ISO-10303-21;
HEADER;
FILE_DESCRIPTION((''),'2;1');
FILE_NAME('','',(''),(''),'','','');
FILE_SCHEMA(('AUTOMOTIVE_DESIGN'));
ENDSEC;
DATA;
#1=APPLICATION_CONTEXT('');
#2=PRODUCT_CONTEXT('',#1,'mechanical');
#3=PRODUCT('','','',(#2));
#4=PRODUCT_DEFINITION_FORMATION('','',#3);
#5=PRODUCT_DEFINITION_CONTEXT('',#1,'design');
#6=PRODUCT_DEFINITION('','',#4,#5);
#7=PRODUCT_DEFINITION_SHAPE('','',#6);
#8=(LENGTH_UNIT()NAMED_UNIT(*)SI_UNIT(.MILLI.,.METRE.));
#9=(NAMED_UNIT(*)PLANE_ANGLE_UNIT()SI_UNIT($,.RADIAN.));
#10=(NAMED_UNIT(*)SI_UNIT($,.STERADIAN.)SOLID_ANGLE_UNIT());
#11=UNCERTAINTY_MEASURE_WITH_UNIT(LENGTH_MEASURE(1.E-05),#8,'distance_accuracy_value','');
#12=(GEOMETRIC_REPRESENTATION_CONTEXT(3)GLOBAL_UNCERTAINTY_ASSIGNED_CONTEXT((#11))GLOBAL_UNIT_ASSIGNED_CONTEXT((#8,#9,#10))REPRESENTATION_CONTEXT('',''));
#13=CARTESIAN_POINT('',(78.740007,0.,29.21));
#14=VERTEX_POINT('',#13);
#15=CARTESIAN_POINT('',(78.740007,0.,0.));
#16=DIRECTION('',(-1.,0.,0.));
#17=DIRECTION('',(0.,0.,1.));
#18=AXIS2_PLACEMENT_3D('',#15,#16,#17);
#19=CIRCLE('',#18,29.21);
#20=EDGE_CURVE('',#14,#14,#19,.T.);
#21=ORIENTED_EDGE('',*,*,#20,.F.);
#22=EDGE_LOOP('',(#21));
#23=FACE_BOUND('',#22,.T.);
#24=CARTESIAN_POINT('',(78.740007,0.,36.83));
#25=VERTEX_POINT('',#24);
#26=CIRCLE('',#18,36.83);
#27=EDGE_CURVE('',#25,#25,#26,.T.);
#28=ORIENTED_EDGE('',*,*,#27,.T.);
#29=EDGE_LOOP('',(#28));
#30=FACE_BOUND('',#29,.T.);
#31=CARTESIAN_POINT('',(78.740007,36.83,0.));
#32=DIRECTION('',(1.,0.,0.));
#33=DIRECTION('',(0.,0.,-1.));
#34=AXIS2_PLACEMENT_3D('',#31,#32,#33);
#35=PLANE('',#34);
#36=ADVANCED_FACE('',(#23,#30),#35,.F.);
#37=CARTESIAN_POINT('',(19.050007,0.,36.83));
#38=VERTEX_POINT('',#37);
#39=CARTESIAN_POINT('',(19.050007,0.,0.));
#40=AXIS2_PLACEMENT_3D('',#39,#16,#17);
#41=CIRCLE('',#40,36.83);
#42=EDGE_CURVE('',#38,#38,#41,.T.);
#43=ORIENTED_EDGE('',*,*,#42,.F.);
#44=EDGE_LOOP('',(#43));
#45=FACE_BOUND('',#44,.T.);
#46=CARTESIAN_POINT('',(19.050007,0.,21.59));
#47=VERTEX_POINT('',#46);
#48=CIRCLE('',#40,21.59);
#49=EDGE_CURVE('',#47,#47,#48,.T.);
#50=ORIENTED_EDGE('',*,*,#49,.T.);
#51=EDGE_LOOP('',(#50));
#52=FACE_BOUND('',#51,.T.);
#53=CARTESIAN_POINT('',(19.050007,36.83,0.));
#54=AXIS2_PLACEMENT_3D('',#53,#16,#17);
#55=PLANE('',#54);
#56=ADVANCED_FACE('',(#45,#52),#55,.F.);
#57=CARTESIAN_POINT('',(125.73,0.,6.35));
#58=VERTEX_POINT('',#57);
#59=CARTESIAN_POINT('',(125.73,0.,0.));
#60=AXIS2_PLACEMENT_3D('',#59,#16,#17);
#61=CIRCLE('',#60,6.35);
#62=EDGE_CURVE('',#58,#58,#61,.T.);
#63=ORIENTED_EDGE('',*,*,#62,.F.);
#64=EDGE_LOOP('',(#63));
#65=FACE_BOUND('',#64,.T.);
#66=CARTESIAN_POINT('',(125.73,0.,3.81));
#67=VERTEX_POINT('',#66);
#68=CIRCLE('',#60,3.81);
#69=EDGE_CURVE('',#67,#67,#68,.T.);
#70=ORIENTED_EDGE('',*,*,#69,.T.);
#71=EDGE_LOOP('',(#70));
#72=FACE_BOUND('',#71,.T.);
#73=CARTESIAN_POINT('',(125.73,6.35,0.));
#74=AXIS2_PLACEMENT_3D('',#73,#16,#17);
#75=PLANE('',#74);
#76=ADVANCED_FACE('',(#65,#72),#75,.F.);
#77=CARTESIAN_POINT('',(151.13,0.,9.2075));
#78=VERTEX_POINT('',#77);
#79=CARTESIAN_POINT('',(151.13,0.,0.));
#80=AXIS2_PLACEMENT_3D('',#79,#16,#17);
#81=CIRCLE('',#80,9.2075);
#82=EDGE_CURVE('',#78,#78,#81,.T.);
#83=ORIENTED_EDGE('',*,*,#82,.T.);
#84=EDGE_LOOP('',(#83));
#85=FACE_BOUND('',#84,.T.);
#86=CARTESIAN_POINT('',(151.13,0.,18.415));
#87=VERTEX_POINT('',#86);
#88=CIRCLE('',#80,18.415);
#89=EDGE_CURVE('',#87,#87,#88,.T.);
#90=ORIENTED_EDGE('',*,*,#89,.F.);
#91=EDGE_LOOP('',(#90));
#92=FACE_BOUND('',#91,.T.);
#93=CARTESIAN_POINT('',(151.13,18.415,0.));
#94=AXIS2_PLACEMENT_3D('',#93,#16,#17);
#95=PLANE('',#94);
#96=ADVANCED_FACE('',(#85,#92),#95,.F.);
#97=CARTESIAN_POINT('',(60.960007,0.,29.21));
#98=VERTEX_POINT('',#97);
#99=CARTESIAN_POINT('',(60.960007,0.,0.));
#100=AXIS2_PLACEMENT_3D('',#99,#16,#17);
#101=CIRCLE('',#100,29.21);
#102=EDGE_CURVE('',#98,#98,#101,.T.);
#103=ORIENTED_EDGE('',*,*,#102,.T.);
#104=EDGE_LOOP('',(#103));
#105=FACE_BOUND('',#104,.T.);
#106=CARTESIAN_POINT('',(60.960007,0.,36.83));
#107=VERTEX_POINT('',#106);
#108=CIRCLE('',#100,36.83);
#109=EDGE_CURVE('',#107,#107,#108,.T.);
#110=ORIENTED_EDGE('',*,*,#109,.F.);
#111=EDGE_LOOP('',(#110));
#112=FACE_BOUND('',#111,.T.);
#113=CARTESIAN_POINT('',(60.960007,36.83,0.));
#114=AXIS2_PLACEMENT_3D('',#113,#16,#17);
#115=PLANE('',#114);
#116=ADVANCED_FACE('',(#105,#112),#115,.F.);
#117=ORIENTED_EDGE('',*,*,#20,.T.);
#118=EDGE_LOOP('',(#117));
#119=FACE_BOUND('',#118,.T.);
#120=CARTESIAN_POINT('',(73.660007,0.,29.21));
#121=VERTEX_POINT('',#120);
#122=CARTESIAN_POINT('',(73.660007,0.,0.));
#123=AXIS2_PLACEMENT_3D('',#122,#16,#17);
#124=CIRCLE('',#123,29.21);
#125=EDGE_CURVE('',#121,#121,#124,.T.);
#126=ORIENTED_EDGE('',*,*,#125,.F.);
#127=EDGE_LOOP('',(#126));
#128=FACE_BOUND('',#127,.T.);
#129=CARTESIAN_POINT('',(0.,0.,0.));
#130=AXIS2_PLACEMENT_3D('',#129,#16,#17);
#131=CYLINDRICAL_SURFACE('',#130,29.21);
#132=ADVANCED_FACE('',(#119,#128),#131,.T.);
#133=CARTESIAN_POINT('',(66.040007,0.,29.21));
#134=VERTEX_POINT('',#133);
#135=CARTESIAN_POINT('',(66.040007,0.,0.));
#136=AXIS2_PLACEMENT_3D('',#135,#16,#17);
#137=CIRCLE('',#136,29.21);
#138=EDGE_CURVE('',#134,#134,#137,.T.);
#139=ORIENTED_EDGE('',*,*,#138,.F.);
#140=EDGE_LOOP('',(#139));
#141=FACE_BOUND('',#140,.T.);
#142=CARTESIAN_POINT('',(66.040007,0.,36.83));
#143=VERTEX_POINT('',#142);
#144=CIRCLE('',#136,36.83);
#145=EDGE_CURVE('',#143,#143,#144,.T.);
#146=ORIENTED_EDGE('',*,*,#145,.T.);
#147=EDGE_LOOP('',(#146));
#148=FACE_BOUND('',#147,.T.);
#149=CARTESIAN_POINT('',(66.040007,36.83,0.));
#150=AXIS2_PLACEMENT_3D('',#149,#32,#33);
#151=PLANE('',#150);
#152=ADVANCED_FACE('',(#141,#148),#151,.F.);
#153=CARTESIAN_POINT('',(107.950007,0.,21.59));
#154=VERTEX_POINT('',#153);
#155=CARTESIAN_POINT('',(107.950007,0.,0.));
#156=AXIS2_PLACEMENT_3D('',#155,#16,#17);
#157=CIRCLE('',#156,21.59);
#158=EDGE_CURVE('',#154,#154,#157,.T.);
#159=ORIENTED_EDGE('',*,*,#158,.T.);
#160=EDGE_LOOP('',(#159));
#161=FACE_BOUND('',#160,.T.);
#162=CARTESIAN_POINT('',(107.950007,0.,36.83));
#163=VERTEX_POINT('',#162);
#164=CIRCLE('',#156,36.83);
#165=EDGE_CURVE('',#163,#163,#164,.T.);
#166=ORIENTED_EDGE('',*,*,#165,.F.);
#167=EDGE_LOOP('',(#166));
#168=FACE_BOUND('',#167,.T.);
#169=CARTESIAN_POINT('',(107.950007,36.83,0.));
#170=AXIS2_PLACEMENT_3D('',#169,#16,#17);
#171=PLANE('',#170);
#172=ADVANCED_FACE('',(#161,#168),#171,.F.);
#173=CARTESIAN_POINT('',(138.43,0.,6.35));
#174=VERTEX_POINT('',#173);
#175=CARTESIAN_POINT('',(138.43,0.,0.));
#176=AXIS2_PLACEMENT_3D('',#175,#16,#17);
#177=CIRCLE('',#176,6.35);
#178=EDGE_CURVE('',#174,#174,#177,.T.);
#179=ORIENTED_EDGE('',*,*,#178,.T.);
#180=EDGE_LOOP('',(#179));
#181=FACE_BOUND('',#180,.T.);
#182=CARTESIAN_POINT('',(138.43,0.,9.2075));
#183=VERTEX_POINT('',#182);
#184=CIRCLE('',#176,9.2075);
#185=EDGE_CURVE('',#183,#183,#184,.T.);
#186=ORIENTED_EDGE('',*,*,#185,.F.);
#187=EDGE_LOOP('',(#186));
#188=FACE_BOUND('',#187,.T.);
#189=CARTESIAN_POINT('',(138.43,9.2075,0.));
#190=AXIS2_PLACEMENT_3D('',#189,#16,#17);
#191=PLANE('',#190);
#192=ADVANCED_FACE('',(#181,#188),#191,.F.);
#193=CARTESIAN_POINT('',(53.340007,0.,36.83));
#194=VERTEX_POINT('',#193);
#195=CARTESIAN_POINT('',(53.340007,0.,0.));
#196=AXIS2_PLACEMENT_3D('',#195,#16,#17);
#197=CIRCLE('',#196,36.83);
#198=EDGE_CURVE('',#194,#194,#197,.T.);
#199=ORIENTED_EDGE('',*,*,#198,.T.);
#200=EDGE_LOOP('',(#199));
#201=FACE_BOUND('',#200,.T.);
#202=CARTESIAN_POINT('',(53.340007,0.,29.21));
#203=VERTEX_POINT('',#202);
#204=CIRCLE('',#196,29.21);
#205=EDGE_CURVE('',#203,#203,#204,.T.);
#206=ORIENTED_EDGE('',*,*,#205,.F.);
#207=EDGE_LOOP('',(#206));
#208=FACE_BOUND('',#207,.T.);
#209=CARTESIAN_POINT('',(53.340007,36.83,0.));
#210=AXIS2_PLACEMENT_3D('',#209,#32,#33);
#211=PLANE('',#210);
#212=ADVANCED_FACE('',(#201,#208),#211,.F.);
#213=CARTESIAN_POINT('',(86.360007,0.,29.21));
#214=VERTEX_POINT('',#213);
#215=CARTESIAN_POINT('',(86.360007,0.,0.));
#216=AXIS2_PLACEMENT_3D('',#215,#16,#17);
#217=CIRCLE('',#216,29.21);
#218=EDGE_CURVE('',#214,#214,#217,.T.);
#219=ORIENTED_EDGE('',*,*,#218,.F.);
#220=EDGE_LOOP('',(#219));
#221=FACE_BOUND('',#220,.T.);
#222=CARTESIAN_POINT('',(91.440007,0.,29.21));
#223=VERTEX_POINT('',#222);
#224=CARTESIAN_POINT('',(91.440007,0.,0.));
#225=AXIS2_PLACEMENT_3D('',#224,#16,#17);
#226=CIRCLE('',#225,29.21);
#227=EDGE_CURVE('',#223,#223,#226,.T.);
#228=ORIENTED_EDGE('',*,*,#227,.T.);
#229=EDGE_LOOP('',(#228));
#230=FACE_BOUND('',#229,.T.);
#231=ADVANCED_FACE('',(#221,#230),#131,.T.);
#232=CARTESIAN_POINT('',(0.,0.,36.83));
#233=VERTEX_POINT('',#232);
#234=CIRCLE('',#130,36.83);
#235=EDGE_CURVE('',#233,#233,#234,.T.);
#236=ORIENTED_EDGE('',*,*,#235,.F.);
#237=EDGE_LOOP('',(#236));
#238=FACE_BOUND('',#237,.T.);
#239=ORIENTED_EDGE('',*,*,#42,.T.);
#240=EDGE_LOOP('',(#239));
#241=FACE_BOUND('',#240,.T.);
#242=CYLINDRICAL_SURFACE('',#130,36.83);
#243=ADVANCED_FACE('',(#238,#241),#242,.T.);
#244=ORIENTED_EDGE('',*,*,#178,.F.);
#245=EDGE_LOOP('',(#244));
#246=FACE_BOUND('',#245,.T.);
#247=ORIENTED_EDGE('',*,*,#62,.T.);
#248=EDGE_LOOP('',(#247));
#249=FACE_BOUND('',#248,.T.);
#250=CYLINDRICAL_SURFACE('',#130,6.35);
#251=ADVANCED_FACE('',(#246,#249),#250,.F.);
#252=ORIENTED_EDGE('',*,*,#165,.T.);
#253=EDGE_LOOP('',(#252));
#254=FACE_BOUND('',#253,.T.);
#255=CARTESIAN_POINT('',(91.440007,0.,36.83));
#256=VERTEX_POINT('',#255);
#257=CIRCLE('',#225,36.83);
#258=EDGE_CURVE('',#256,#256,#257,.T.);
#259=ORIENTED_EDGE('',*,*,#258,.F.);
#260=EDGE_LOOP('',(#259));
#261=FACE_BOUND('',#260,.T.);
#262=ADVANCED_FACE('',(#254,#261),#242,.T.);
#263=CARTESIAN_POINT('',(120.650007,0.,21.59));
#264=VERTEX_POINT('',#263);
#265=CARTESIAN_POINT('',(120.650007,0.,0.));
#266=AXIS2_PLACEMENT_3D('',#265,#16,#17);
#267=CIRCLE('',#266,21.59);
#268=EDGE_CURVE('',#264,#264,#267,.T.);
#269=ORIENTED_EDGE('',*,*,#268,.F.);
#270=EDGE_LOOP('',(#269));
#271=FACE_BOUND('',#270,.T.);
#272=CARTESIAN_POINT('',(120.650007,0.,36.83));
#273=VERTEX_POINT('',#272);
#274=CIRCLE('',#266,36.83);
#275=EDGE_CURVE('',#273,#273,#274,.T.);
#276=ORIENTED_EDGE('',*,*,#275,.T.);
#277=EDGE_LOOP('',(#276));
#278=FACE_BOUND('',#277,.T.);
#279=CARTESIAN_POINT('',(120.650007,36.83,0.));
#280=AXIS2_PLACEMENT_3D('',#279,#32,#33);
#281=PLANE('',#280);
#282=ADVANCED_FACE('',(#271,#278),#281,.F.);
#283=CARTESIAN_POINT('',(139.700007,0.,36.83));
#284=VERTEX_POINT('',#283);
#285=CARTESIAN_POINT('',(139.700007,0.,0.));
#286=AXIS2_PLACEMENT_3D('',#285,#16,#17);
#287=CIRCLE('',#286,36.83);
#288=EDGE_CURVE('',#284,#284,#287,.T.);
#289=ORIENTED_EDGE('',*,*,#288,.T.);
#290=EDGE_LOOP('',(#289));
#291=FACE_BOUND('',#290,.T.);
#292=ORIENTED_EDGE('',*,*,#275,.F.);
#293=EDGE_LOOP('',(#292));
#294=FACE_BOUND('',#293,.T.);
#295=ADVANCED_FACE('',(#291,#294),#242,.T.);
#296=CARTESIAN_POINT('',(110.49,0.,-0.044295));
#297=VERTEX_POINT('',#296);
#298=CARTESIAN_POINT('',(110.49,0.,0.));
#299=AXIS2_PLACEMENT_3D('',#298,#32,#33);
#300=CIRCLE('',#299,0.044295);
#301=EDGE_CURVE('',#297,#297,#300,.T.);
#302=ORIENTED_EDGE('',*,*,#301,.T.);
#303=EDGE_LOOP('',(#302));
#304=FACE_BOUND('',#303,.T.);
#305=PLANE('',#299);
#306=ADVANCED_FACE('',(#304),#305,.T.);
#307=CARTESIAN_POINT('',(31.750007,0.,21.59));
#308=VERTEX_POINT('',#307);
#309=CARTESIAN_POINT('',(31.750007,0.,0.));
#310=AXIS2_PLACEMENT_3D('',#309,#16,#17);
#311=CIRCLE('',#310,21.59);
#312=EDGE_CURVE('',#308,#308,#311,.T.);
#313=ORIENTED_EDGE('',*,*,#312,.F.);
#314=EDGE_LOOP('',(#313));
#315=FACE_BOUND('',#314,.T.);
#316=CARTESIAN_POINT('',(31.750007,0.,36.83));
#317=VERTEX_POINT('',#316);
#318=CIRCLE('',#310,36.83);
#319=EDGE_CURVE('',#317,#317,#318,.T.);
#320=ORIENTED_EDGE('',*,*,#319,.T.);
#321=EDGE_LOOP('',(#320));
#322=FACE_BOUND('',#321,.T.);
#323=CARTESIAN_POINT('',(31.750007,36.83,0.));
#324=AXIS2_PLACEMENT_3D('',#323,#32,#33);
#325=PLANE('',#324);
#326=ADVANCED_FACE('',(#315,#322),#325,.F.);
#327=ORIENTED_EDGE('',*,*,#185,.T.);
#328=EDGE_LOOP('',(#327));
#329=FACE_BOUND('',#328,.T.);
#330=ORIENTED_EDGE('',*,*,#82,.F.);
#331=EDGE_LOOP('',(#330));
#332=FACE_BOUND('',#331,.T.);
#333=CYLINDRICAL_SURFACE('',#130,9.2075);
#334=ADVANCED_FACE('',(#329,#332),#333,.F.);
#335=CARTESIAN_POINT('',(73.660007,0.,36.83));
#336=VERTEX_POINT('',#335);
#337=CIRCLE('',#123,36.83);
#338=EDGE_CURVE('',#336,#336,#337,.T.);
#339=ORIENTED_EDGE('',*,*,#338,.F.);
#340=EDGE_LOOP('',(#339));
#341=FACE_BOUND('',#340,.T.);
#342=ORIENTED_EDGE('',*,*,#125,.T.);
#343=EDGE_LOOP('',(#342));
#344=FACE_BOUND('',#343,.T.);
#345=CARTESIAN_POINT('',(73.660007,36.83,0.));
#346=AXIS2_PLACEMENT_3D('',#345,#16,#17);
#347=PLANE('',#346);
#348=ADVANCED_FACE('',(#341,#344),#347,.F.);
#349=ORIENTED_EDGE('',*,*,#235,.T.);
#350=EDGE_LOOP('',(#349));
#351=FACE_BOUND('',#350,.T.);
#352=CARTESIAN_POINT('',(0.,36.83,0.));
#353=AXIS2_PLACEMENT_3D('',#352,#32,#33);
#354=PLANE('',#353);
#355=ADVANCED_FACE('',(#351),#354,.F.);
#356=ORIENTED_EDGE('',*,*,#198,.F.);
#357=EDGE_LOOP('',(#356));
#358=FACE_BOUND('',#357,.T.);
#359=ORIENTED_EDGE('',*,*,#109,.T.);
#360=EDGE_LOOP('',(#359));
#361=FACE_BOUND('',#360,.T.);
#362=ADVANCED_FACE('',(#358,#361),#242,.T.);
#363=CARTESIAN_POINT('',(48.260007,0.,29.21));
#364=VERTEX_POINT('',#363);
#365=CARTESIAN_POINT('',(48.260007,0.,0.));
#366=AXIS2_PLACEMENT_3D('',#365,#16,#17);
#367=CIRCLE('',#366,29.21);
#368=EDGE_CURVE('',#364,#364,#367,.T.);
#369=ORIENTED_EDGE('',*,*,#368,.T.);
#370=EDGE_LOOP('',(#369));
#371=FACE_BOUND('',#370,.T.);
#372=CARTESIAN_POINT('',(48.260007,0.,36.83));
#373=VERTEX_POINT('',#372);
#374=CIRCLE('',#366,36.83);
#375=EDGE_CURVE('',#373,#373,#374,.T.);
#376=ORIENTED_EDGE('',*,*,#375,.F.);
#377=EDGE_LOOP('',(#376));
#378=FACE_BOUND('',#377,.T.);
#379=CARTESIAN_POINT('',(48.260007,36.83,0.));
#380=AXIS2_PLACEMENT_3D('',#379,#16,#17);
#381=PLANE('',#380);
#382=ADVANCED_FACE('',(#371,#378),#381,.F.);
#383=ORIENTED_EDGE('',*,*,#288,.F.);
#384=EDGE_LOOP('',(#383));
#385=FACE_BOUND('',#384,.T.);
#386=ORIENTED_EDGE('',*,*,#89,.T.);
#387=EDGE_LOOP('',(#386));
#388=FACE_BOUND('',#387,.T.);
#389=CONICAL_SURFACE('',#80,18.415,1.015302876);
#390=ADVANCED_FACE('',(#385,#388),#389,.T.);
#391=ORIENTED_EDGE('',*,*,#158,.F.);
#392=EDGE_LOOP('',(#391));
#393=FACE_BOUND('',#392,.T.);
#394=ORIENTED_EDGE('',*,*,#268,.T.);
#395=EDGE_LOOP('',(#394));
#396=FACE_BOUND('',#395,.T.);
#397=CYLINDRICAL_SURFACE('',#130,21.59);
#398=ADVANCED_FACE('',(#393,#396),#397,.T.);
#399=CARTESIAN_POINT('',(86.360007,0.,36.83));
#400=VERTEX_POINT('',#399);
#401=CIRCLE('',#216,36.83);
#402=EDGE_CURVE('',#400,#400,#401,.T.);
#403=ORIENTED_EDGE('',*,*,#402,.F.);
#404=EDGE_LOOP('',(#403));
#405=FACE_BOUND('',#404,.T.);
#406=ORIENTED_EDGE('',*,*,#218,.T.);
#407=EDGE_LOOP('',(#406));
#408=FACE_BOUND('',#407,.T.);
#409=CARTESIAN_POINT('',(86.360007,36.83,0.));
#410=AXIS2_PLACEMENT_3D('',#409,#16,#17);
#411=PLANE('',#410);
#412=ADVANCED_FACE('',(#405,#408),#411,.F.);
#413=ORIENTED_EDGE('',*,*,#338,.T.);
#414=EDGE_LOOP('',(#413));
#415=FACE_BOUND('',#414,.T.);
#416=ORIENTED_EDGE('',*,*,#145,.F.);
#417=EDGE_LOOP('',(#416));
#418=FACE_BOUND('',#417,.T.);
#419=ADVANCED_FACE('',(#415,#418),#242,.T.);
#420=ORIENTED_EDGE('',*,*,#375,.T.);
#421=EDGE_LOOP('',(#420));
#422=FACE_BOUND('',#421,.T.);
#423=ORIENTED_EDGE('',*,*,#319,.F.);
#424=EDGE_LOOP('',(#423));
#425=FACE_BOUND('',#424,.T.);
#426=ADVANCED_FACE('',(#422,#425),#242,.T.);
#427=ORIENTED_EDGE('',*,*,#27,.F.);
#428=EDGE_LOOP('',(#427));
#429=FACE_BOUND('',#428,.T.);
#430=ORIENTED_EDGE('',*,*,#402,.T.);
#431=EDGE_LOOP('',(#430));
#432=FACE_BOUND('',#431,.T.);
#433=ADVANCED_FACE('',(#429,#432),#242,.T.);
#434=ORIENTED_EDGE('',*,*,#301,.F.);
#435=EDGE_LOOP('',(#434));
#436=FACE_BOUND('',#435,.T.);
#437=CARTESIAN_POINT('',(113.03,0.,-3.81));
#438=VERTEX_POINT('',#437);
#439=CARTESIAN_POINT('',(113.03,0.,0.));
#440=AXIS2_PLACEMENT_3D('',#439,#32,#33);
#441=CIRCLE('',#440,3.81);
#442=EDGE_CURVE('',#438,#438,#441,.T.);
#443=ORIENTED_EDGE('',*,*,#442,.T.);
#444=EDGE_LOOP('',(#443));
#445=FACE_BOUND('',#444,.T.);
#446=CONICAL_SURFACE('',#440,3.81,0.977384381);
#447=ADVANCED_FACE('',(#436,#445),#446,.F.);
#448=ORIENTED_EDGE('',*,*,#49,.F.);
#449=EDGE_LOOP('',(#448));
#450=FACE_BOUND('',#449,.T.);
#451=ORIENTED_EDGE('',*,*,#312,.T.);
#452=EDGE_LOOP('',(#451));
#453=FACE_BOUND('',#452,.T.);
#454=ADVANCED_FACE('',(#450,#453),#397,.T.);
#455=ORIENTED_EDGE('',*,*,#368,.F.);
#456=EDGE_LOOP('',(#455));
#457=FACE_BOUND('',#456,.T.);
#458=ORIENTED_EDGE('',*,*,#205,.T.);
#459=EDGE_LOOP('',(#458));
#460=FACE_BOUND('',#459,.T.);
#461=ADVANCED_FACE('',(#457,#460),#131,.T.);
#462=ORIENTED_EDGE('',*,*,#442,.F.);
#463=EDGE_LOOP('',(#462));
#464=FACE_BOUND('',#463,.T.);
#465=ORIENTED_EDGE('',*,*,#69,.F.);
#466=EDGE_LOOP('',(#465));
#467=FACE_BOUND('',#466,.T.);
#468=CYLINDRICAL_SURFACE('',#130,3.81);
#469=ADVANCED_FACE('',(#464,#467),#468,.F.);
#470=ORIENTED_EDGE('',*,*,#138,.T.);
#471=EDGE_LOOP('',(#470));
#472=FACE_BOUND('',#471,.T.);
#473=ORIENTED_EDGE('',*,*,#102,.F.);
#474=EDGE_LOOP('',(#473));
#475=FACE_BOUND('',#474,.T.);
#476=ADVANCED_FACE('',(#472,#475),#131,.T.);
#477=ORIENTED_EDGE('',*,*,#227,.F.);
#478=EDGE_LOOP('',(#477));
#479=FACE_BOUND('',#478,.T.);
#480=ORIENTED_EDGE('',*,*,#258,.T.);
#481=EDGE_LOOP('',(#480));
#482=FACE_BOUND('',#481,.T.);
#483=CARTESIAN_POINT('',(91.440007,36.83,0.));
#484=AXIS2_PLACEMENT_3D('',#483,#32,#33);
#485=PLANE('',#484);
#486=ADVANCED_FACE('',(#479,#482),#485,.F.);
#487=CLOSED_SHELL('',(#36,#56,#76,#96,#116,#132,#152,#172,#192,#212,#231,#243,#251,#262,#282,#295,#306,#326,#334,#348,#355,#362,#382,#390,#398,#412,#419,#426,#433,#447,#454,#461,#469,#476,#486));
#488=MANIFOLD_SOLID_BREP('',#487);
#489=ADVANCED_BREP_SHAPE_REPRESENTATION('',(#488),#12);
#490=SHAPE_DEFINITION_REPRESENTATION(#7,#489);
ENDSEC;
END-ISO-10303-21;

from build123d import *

# Parameters (mm, degrees)
SKETCH3_R          = 3.81
CUT_EXTRUDE1_DEPTH = 2.54
CUT_EXTRUDE1_TAPER = 56


with BuildPart() as part:
    # Sketch1 → Revolve5 (revolve)
    with BuildSketch(Plane.XY):
        Polygon((0, 0), (113.03, 0), (113.03, 3.81), (125.73, 3.81), (125.73, 6.35), (138.43, 6.35), (138.43, 9.2075), (151.13, 9.2075), (151.13, 18.415), (139.700007257, 36.83), (120.650007257, 36.83), (120.650007257, 21.59), (107.950007257, 21.59), (107.950007257, 36.83), (91.440007257, 36.83), (91.440007257, 29.21), (86.360007257, 29.21), (86.360007257, 36.83), (78.740007257, 36.83), (78.740007257, 29.21), (73.660007257, 29.21), (73.660007257, 36.83), (66.040007257, 36.83), (66.040007257, 29.21), (60.960007257, 29.21), (60.960007257, 36.83), (53.340007257, 36.83), (53.340007257, 29.21), (48.260007257, 29.21), (48.260007257, 36.83), (31.750007257, 36.83), (31.750007257, 21.59), (19.050007257, 21.59), (19.050007257, 36.83), (0, 36.83), align=None)
    revolve(axis=Axis((0, 0, 0), (1, 0, 0)))

    # Sketch3 → Cut-Extrude1 (cut)
    with BuildSketch(Plane(origin=(113.03, 0, 0), x_dir=(0, 0, -1), z_dir=(1, 0, 0))):
        Circle(SKETCH3_R)
    extrude(amount=-CUT_EXTRUDE1_DEPTH, taper=CUT_EXTRUDE1_TAPER, mode=Mode.SUBTRACT)


solid = part.part
